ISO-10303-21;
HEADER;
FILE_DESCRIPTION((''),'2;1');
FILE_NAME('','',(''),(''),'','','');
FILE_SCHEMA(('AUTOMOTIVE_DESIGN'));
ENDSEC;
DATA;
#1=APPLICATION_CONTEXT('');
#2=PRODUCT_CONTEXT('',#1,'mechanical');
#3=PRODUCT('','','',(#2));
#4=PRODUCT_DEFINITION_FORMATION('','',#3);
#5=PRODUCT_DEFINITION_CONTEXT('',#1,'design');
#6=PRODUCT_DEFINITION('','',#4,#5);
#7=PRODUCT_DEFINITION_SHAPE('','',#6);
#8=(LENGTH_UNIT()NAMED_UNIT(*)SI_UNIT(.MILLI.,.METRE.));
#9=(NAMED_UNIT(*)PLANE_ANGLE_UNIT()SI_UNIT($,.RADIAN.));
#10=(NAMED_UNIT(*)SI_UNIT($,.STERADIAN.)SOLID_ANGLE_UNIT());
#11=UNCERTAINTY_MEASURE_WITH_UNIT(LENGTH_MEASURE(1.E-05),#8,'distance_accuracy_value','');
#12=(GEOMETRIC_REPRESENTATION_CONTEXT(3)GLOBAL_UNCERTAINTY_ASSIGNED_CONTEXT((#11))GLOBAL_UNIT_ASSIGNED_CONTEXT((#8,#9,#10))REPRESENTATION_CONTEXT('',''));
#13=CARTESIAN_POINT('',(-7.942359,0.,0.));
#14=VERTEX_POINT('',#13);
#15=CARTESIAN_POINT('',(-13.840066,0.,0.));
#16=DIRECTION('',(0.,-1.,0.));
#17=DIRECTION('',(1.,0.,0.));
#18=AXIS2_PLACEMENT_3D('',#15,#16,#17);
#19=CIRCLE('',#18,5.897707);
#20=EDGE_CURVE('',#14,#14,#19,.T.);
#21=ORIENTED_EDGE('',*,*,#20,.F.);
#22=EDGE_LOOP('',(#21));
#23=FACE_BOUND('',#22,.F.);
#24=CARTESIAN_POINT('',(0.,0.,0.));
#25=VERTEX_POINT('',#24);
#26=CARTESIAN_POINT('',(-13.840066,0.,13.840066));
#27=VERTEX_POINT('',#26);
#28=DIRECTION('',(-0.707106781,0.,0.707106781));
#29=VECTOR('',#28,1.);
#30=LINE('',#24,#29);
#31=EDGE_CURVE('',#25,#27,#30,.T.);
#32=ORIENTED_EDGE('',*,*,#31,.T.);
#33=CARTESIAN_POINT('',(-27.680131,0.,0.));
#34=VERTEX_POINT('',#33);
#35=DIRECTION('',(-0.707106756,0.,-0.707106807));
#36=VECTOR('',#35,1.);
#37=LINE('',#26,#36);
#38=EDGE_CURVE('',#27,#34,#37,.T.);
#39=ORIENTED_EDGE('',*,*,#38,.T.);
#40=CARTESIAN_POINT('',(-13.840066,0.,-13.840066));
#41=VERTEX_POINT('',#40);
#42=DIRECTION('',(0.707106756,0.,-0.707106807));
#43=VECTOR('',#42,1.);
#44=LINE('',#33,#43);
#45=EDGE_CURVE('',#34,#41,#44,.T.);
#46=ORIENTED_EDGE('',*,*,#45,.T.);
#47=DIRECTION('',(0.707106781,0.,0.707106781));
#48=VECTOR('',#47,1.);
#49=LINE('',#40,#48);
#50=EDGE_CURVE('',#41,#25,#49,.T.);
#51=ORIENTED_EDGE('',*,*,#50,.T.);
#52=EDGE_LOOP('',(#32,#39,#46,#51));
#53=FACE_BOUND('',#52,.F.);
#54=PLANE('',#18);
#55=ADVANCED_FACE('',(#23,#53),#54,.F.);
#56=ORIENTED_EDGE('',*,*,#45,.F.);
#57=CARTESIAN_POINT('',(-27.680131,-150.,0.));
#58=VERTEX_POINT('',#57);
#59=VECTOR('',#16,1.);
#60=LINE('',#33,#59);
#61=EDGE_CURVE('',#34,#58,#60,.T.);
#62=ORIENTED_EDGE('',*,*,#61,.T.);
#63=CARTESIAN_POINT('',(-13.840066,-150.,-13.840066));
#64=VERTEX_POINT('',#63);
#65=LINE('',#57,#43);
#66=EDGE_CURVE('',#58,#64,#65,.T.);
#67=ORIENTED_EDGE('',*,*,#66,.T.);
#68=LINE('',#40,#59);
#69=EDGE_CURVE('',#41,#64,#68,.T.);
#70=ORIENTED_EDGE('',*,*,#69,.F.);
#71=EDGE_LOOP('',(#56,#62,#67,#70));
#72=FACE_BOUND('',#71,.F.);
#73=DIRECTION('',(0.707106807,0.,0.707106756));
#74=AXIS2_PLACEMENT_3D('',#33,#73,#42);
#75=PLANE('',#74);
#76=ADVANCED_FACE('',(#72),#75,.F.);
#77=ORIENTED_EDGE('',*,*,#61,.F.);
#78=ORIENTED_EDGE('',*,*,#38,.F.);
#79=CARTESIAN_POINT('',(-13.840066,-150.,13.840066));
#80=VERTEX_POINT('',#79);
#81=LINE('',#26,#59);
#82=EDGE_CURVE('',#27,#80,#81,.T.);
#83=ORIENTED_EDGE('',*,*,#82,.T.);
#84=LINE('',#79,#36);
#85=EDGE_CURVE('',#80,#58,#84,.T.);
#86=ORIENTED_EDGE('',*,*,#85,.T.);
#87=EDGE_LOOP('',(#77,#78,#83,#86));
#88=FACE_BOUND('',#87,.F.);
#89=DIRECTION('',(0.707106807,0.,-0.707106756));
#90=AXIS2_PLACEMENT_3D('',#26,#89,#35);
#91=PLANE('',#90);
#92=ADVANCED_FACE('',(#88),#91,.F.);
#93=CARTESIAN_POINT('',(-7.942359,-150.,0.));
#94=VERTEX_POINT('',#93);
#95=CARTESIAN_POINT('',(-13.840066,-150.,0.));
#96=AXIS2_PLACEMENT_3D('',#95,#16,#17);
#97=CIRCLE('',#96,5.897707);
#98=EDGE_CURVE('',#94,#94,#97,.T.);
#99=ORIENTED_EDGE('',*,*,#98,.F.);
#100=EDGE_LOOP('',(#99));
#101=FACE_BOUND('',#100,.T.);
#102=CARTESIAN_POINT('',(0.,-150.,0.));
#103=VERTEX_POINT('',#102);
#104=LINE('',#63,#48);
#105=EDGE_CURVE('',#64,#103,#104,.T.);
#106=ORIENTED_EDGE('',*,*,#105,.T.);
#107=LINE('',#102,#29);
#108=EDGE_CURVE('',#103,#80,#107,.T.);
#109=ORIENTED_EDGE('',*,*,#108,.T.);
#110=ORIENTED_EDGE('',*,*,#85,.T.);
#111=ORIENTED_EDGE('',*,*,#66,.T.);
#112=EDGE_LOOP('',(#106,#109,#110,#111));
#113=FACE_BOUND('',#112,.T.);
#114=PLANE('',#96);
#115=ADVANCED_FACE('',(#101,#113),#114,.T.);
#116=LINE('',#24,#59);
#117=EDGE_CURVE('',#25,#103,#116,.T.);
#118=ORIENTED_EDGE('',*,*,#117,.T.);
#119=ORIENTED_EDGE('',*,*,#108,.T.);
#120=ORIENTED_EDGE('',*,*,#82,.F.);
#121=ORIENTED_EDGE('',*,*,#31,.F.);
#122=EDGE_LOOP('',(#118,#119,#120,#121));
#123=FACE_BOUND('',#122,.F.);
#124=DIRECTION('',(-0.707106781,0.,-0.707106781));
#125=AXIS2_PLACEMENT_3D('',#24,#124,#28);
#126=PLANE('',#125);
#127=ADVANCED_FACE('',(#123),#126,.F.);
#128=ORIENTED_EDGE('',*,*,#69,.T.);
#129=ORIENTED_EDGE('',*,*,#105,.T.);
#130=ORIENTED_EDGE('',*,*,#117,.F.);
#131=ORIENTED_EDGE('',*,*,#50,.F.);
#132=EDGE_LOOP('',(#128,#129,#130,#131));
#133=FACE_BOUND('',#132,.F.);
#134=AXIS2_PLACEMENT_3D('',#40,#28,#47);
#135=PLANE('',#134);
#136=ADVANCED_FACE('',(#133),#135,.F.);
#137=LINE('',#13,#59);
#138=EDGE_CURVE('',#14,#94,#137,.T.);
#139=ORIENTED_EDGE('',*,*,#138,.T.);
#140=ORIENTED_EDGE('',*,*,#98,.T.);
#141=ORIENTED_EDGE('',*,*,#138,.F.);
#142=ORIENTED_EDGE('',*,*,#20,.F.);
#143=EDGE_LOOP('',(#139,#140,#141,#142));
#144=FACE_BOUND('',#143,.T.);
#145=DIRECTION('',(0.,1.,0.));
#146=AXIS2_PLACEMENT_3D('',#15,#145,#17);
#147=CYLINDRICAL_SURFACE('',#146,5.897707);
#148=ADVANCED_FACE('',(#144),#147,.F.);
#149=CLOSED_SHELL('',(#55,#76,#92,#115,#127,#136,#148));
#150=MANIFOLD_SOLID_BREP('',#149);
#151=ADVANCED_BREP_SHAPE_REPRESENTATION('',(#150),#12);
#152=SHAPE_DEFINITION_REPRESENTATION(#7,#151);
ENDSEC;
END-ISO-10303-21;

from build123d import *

# Parameters (mm, degrees)
F0_R     = 5.897707
F1_DEPTH = 150


with BuildPart() as f1:
    # F0 (on Front) → F1 (new body)
    with BuildSketch(Plane.XZ):
        Polygon((-13.840066, 13.840066), (-27.680131, 0), (-13.840066, -13.840066), (0, 0), align=None)
        with Locations((-13.840066, 0)):
            Circle(F0_R, mode=Mode.SUBTRACT)
    extrude(amount=F1_DEPTH)


solid = f1.part
